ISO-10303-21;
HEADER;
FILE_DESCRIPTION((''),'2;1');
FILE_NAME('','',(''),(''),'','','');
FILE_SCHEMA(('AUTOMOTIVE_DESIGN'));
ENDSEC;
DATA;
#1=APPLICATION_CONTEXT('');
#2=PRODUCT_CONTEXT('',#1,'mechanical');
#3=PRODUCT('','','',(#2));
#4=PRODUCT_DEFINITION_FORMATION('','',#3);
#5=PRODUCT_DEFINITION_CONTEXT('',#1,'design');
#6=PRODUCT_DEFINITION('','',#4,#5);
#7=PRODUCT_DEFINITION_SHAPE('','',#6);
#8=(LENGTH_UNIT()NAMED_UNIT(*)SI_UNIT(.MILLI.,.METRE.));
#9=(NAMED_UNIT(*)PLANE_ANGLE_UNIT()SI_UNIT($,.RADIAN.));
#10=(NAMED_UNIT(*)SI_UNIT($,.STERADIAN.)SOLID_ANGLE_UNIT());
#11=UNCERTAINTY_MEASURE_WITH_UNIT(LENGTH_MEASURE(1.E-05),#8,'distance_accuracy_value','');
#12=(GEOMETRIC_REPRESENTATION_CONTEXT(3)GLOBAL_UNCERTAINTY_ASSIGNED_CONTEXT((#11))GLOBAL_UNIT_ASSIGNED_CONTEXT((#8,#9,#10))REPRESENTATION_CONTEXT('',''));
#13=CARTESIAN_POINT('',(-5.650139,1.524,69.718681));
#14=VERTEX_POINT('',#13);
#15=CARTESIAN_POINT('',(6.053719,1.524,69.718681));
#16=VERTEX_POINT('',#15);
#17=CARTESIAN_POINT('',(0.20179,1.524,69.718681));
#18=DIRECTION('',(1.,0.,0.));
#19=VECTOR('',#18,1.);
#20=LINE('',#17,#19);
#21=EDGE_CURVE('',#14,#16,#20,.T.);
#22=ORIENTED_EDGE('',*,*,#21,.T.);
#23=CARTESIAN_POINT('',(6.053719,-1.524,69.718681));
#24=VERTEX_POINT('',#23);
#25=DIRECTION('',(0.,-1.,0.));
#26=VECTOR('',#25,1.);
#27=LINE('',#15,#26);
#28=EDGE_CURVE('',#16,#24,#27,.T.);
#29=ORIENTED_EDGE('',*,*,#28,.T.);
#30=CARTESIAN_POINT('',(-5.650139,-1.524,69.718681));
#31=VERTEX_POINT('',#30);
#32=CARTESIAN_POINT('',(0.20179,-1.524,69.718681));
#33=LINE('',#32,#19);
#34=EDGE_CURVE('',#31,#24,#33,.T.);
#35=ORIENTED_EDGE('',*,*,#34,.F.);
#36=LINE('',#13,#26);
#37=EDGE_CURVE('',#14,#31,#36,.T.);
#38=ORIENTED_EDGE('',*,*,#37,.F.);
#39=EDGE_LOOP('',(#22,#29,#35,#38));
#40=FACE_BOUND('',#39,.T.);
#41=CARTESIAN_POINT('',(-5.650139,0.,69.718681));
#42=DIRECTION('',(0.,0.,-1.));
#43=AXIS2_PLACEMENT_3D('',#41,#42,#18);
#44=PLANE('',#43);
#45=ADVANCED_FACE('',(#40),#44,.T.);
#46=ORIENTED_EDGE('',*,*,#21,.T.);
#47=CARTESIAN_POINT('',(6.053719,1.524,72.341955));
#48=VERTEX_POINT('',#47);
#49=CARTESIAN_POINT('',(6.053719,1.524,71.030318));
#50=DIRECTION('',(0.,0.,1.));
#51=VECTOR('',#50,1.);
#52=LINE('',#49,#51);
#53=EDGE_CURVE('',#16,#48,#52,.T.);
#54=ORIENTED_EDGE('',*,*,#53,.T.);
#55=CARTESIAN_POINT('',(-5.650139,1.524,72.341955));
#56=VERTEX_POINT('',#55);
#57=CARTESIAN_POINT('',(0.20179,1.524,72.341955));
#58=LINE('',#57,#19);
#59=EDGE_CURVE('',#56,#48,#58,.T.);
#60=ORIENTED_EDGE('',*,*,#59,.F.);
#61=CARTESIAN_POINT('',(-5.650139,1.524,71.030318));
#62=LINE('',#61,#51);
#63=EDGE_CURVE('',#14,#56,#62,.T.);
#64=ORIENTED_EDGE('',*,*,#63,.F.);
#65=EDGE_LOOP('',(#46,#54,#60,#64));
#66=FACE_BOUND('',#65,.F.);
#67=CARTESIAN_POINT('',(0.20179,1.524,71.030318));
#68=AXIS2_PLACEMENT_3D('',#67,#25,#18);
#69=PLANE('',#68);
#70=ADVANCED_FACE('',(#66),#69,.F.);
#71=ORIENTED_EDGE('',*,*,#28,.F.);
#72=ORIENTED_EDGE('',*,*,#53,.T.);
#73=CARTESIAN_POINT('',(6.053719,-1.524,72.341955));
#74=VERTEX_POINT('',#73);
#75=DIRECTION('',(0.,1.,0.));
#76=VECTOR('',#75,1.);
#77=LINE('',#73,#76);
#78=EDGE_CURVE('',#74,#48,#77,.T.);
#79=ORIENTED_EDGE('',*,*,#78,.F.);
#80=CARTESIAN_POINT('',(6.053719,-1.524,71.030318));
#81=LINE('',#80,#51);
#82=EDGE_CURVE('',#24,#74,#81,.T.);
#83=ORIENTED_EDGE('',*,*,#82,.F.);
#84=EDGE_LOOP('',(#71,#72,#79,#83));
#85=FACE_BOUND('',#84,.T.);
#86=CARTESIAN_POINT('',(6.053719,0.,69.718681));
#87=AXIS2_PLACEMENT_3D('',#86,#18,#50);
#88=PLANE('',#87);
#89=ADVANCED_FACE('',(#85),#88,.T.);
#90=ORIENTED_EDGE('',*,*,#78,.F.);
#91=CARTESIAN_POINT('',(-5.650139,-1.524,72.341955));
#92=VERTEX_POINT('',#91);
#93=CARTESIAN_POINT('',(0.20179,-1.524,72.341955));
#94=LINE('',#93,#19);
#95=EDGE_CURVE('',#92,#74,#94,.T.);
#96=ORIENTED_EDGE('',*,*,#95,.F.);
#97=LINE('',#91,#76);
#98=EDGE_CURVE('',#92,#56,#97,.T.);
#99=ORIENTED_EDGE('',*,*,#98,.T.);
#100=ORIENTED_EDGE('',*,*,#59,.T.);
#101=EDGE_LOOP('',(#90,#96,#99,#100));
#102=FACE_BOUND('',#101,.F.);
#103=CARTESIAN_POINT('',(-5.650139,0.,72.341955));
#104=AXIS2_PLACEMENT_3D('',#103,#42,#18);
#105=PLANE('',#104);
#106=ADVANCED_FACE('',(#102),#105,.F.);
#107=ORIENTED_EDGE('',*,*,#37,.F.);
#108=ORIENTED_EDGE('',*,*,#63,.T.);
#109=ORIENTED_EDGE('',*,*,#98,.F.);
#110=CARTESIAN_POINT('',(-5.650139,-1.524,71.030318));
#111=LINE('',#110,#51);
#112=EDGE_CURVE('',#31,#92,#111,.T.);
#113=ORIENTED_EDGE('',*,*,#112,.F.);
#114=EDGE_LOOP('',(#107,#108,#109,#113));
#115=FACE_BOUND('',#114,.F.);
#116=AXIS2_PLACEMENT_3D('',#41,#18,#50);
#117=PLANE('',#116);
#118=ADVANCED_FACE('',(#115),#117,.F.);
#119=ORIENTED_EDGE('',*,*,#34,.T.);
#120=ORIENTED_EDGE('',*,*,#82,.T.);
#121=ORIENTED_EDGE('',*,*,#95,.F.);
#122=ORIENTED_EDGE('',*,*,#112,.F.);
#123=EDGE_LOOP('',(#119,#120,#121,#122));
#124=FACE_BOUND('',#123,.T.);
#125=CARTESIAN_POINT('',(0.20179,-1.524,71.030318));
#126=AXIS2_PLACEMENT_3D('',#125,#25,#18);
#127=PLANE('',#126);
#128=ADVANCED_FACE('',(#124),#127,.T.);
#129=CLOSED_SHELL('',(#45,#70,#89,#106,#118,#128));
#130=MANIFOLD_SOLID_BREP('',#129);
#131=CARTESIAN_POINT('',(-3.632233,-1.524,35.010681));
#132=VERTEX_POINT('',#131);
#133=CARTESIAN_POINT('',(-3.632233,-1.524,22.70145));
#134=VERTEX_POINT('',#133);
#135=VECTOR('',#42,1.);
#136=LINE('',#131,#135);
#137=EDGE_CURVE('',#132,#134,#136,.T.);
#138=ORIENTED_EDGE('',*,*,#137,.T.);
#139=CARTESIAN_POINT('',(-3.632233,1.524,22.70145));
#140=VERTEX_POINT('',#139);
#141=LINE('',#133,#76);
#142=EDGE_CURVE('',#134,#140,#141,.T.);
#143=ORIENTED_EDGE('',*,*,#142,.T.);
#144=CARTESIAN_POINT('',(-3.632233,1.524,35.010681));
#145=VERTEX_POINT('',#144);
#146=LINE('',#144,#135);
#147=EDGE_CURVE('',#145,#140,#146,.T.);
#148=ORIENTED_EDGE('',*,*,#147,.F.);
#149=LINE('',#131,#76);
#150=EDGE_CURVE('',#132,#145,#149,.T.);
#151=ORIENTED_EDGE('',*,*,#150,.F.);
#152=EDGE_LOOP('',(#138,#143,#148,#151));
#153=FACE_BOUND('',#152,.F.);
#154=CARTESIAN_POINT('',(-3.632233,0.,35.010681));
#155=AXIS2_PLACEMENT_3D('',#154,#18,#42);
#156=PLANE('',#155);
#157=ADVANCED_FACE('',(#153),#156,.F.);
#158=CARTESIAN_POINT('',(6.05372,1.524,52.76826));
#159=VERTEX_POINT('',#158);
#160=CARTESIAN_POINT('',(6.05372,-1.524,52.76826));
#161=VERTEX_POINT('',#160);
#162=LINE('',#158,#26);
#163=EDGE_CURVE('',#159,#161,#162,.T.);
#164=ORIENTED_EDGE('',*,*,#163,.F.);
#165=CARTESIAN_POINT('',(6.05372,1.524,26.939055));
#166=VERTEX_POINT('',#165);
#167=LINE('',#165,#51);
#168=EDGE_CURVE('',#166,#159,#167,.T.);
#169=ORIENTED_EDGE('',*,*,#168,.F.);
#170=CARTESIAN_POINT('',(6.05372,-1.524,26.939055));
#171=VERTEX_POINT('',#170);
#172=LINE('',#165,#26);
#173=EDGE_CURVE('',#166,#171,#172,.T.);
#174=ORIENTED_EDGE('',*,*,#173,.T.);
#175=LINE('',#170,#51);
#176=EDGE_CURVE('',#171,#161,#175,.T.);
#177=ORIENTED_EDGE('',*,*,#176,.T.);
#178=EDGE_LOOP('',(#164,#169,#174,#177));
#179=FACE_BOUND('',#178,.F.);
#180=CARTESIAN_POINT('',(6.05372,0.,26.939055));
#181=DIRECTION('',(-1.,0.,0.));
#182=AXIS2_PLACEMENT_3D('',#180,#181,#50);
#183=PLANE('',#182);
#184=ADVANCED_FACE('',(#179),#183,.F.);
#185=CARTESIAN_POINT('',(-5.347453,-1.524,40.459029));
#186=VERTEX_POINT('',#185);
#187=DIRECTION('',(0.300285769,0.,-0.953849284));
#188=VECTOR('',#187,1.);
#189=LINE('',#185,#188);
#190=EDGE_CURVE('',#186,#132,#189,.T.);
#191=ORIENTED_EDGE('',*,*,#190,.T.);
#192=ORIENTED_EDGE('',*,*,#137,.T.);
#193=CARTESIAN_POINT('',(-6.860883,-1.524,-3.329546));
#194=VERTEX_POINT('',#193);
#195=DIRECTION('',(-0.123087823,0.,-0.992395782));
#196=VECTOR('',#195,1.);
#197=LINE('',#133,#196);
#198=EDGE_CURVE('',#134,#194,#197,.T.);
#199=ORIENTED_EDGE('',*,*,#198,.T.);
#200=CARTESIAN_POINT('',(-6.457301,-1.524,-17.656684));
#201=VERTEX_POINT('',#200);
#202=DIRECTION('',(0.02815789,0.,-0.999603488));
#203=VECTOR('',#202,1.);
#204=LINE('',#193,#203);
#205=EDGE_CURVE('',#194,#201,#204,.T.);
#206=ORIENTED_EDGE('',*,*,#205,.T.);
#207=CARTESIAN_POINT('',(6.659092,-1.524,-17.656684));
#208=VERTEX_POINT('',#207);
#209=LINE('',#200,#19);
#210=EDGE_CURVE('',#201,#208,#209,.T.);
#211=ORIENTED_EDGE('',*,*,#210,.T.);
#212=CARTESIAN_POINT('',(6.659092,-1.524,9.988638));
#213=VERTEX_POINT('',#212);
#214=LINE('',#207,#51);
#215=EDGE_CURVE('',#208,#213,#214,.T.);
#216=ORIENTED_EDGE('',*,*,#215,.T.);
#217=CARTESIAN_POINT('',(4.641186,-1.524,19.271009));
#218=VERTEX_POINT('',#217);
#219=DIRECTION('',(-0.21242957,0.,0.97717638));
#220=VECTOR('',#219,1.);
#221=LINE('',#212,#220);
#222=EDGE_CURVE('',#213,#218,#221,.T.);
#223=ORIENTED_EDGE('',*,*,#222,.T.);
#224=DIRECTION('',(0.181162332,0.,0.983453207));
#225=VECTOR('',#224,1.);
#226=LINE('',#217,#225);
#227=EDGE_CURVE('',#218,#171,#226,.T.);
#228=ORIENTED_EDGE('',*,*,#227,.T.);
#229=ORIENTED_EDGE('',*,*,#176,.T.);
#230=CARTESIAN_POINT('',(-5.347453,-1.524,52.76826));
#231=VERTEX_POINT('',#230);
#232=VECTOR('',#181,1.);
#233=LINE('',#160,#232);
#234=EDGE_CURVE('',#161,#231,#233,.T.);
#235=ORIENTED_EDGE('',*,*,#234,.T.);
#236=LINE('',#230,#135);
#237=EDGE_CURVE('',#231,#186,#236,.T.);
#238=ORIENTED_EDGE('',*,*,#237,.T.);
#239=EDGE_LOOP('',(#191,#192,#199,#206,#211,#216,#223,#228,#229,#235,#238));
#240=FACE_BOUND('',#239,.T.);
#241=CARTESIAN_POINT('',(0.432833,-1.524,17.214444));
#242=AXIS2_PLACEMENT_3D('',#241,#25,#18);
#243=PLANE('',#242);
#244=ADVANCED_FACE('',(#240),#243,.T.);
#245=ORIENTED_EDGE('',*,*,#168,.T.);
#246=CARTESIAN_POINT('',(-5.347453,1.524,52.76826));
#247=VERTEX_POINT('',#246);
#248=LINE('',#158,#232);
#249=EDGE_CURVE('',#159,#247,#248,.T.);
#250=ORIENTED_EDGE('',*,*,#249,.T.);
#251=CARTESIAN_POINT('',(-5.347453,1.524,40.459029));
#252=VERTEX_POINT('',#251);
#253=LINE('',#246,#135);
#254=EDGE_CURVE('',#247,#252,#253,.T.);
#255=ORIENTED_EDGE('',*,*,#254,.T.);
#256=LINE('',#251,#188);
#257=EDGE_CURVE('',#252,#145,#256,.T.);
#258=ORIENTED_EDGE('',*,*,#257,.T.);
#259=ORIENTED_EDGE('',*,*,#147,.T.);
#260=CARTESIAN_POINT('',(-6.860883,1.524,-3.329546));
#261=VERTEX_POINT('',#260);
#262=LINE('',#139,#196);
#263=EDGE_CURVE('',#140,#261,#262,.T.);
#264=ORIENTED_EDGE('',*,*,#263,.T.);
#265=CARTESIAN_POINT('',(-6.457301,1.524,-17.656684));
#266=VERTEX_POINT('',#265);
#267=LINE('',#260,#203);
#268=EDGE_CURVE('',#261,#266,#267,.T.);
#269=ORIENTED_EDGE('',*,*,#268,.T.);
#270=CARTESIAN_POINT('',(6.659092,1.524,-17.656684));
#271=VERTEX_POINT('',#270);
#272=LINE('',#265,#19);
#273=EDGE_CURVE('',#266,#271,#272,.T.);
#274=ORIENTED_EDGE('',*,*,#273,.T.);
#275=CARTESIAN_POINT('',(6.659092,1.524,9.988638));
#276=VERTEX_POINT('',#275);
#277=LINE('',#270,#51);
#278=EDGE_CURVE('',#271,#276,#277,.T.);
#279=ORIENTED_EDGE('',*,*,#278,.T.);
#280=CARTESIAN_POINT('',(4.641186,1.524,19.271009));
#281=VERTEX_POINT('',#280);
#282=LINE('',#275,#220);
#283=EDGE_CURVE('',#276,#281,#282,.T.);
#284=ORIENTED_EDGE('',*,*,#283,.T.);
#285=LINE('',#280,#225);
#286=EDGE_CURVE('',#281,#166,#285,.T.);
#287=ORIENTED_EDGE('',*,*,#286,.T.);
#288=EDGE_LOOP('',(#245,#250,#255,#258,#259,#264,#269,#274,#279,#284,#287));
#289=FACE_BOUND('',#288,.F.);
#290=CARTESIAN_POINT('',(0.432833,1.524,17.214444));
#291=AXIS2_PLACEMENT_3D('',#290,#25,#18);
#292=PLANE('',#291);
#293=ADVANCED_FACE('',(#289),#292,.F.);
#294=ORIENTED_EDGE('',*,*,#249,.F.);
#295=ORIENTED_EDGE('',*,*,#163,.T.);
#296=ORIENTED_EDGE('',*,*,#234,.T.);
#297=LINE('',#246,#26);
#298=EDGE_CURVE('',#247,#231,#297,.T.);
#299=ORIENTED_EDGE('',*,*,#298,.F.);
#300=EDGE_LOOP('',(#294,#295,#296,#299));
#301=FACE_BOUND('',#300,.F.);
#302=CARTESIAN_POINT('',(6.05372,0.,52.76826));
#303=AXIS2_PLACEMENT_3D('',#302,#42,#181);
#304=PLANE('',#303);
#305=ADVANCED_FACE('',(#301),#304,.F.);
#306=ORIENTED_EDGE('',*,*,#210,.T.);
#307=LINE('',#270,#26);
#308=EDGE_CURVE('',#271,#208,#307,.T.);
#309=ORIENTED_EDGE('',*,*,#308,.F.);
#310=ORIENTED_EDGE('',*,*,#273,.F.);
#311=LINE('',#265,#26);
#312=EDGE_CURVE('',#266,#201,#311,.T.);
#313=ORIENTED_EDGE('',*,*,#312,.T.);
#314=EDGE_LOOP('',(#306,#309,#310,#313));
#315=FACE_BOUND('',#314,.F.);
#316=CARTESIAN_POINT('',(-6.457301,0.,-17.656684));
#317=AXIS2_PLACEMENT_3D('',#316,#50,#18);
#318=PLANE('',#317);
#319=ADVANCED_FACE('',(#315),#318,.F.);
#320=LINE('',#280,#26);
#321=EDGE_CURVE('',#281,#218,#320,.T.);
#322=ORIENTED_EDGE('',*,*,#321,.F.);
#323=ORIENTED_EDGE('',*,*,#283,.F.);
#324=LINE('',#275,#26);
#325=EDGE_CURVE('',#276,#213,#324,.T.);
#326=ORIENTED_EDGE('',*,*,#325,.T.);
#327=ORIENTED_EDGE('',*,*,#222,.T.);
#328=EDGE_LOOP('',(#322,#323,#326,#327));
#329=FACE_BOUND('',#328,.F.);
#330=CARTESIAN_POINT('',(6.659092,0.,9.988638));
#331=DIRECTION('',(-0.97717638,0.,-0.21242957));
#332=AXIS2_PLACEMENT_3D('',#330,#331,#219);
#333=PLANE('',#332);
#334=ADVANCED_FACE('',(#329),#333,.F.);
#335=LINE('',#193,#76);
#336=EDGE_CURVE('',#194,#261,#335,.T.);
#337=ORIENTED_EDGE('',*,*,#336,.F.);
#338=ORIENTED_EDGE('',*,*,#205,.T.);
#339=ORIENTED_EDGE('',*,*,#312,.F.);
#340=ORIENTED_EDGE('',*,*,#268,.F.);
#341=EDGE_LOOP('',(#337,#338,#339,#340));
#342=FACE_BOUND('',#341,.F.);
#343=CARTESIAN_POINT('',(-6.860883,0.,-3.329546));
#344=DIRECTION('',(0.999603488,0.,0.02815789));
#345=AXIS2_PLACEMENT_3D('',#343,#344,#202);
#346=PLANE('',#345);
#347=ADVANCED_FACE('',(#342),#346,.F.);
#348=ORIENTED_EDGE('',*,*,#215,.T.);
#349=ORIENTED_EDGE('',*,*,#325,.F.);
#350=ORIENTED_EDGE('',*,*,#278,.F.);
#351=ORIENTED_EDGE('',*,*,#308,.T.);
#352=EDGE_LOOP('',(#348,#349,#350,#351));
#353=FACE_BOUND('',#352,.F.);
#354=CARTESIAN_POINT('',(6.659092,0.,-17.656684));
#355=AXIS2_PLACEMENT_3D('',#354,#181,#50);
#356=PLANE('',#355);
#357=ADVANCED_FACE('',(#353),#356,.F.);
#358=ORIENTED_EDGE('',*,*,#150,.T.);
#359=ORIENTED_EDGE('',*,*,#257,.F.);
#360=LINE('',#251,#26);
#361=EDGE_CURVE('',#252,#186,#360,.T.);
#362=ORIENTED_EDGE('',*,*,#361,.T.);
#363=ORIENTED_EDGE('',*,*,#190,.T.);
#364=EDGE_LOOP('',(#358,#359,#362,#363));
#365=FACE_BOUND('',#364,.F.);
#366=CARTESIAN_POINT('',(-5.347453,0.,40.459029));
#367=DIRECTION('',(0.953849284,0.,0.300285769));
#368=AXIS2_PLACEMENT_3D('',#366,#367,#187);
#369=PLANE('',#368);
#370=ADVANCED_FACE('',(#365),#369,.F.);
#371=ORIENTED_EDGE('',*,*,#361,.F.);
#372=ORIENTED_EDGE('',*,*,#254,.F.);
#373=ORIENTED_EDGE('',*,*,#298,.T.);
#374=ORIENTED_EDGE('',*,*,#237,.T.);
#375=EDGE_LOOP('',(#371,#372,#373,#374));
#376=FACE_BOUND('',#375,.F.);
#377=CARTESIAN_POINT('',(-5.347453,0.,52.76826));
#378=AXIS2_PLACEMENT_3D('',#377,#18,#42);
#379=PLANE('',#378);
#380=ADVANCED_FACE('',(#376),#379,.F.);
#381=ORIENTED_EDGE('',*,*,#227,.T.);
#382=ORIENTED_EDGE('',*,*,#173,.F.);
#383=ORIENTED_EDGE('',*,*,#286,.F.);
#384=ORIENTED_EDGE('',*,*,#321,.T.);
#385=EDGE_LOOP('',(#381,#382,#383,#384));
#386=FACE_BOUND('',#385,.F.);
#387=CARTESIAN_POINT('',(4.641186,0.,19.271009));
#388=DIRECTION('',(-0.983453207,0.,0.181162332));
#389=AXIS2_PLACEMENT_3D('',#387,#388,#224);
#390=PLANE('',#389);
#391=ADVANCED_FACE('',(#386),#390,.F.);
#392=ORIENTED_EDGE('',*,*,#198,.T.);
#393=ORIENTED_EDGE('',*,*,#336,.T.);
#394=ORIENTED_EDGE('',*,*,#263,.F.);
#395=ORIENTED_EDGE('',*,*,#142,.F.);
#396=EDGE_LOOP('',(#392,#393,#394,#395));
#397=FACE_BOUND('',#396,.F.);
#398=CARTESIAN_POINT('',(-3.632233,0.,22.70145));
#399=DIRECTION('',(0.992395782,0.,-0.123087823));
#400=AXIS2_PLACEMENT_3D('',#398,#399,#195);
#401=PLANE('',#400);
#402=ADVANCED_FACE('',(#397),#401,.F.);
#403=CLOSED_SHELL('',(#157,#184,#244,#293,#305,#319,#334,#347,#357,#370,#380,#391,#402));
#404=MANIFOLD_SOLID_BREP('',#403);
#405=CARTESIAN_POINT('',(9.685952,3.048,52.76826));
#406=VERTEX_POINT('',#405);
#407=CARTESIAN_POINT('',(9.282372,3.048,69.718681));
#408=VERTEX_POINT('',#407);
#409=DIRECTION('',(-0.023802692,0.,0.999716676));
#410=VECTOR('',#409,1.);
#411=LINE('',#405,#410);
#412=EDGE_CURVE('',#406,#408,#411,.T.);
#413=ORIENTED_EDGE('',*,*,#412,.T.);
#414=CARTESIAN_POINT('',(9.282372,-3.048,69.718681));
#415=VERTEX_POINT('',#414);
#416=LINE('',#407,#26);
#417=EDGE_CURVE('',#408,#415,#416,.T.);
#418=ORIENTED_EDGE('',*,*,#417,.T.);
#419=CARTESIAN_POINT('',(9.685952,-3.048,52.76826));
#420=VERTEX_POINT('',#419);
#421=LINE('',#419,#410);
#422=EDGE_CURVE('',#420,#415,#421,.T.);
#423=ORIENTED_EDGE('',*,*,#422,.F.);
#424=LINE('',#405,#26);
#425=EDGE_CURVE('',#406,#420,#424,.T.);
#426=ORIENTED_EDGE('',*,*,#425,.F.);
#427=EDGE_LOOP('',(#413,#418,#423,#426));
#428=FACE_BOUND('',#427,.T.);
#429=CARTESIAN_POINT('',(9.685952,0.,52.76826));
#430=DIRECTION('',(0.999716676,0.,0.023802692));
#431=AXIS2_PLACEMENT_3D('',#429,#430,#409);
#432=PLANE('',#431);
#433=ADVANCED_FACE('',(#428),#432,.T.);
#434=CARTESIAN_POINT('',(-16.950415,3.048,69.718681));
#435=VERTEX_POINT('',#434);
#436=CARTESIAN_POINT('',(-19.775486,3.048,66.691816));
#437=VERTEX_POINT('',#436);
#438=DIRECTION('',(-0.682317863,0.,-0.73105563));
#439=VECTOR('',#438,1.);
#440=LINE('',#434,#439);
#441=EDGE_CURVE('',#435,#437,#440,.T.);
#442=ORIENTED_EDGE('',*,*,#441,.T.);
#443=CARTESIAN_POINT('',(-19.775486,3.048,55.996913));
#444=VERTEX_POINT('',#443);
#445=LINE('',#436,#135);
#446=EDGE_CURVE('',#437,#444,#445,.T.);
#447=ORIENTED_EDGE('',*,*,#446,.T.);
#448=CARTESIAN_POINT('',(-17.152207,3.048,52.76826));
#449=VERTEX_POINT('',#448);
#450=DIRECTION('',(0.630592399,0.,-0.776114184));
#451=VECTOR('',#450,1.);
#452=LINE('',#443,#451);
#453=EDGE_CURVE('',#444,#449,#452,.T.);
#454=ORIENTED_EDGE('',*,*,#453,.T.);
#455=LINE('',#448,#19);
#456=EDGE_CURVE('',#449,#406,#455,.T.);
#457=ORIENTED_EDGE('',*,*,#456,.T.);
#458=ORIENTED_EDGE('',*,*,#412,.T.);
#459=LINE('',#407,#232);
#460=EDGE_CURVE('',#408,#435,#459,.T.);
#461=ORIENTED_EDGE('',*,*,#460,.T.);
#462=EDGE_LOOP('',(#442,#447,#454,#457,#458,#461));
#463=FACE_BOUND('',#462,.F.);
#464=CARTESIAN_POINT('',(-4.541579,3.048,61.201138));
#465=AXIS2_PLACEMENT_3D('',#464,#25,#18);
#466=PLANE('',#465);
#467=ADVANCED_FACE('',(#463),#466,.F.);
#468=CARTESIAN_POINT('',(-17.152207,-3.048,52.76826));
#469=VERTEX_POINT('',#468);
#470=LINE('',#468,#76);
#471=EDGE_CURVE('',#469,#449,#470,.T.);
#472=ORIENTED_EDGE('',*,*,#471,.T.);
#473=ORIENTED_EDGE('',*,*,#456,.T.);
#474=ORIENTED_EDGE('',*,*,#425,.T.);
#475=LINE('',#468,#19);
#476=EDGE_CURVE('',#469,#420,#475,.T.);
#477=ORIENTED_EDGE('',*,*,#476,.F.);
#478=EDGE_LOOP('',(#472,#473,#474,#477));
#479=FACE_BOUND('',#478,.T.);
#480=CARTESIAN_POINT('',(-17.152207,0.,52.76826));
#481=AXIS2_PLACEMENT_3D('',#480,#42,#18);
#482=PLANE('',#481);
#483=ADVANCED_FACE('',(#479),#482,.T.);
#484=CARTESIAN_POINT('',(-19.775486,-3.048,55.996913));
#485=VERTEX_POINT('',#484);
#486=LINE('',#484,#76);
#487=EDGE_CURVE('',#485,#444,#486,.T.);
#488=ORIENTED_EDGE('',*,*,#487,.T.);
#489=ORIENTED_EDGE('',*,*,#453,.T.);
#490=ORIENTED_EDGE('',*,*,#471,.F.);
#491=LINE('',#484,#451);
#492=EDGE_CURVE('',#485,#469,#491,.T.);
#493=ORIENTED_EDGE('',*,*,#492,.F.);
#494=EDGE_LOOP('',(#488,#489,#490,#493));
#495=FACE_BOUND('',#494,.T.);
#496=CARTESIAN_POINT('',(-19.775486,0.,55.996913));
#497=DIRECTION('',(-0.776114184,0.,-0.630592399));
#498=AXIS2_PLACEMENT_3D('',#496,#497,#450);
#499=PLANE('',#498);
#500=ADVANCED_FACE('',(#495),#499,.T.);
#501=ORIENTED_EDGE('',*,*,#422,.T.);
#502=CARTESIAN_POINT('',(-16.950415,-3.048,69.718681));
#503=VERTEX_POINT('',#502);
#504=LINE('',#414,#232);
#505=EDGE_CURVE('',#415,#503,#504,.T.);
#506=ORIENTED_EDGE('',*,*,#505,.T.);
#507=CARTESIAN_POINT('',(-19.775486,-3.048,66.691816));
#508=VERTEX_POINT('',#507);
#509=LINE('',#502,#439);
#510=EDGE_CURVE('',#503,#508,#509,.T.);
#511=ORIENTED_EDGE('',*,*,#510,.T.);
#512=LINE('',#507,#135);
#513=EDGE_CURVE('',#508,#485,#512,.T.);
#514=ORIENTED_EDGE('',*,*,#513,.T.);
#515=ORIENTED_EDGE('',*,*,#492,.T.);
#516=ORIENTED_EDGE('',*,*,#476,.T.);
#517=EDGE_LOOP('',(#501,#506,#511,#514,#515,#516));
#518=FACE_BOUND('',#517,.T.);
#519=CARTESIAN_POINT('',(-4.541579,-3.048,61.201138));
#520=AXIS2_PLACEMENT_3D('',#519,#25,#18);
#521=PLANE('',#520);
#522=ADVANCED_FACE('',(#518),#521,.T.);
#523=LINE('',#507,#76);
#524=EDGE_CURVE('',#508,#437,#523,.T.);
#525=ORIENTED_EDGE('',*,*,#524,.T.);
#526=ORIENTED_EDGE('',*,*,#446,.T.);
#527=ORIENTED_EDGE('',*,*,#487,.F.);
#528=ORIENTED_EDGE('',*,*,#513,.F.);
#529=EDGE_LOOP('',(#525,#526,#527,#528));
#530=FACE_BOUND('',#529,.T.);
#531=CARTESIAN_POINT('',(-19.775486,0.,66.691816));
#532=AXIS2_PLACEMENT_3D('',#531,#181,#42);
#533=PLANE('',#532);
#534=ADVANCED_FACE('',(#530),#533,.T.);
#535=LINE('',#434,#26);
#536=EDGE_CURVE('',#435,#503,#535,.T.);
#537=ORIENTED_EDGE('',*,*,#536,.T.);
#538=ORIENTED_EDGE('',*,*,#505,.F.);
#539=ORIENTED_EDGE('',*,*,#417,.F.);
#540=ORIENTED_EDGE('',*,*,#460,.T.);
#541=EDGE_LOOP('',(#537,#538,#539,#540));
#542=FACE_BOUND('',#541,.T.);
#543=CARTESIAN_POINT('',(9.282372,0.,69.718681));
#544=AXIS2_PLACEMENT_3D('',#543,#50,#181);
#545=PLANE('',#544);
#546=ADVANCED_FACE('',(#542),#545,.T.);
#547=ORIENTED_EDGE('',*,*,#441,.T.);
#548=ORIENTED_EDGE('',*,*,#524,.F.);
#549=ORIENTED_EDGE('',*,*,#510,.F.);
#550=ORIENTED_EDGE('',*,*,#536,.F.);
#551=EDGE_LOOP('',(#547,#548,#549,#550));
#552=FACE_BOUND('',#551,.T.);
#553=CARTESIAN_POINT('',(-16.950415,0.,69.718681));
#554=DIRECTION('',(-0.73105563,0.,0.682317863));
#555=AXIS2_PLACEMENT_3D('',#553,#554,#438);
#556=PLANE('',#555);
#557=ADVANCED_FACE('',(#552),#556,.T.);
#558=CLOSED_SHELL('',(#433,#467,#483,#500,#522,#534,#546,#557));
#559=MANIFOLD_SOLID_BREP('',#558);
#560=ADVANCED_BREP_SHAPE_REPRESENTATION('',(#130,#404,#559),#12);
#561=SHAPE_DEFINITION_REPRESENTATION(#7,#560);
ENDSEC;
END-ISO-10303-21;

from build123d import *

# Parameters (mm, degrees)
F0_W     = 11.703859
F0_H     = 2.623275
F1_DEPTH = 1.524
F2_DEPTH = 3.048


with BuildPart() as f1:
    # F0 (on Front) → F1 (new body, symmetric)
    with BuildSketch(Plane.XZ):
        Polygon((-6.860883, -3.329546), (-6.457301, -17.656684), (6.659092, -17.656684), (6.659092, 9.988638), (4.641186, 19.271009), (6.05372, 26.939055), (6.05372, 45.100212), (6.05372, 52.76826), (-5.347453, 52.76826), (-5.347453, 40.459029), (-3.632233, 35.010681), (-3.632233, 22.70145), align=None)
        with Locations((0.20179, 71.030318)):
            Rectangle(F0_W, F0_H)
    extrude(amount=F1_DEPTH, both=True)


with BuildPart() as f2:
    # F0 (on Front) → F2 (new body, symmetric)
    with BuildSketch(Plane.XZ):
        Polygon((-17.152207, 52.76826), (-5.347453, 52.76826), (6.05372, 52.76826), (9.685952, 52.76826), (9.282372, 69.718681), (6.05372, 69.718681), (-5.650139, 69.718681), (-16.950415, 69.718681), (-19.775486, 66.691816), (-19.775486, 55.996913), align=None)
    extrude(amount=F2_DEPTH, both=True)


solid = Compound([f1.part, f2.part])
